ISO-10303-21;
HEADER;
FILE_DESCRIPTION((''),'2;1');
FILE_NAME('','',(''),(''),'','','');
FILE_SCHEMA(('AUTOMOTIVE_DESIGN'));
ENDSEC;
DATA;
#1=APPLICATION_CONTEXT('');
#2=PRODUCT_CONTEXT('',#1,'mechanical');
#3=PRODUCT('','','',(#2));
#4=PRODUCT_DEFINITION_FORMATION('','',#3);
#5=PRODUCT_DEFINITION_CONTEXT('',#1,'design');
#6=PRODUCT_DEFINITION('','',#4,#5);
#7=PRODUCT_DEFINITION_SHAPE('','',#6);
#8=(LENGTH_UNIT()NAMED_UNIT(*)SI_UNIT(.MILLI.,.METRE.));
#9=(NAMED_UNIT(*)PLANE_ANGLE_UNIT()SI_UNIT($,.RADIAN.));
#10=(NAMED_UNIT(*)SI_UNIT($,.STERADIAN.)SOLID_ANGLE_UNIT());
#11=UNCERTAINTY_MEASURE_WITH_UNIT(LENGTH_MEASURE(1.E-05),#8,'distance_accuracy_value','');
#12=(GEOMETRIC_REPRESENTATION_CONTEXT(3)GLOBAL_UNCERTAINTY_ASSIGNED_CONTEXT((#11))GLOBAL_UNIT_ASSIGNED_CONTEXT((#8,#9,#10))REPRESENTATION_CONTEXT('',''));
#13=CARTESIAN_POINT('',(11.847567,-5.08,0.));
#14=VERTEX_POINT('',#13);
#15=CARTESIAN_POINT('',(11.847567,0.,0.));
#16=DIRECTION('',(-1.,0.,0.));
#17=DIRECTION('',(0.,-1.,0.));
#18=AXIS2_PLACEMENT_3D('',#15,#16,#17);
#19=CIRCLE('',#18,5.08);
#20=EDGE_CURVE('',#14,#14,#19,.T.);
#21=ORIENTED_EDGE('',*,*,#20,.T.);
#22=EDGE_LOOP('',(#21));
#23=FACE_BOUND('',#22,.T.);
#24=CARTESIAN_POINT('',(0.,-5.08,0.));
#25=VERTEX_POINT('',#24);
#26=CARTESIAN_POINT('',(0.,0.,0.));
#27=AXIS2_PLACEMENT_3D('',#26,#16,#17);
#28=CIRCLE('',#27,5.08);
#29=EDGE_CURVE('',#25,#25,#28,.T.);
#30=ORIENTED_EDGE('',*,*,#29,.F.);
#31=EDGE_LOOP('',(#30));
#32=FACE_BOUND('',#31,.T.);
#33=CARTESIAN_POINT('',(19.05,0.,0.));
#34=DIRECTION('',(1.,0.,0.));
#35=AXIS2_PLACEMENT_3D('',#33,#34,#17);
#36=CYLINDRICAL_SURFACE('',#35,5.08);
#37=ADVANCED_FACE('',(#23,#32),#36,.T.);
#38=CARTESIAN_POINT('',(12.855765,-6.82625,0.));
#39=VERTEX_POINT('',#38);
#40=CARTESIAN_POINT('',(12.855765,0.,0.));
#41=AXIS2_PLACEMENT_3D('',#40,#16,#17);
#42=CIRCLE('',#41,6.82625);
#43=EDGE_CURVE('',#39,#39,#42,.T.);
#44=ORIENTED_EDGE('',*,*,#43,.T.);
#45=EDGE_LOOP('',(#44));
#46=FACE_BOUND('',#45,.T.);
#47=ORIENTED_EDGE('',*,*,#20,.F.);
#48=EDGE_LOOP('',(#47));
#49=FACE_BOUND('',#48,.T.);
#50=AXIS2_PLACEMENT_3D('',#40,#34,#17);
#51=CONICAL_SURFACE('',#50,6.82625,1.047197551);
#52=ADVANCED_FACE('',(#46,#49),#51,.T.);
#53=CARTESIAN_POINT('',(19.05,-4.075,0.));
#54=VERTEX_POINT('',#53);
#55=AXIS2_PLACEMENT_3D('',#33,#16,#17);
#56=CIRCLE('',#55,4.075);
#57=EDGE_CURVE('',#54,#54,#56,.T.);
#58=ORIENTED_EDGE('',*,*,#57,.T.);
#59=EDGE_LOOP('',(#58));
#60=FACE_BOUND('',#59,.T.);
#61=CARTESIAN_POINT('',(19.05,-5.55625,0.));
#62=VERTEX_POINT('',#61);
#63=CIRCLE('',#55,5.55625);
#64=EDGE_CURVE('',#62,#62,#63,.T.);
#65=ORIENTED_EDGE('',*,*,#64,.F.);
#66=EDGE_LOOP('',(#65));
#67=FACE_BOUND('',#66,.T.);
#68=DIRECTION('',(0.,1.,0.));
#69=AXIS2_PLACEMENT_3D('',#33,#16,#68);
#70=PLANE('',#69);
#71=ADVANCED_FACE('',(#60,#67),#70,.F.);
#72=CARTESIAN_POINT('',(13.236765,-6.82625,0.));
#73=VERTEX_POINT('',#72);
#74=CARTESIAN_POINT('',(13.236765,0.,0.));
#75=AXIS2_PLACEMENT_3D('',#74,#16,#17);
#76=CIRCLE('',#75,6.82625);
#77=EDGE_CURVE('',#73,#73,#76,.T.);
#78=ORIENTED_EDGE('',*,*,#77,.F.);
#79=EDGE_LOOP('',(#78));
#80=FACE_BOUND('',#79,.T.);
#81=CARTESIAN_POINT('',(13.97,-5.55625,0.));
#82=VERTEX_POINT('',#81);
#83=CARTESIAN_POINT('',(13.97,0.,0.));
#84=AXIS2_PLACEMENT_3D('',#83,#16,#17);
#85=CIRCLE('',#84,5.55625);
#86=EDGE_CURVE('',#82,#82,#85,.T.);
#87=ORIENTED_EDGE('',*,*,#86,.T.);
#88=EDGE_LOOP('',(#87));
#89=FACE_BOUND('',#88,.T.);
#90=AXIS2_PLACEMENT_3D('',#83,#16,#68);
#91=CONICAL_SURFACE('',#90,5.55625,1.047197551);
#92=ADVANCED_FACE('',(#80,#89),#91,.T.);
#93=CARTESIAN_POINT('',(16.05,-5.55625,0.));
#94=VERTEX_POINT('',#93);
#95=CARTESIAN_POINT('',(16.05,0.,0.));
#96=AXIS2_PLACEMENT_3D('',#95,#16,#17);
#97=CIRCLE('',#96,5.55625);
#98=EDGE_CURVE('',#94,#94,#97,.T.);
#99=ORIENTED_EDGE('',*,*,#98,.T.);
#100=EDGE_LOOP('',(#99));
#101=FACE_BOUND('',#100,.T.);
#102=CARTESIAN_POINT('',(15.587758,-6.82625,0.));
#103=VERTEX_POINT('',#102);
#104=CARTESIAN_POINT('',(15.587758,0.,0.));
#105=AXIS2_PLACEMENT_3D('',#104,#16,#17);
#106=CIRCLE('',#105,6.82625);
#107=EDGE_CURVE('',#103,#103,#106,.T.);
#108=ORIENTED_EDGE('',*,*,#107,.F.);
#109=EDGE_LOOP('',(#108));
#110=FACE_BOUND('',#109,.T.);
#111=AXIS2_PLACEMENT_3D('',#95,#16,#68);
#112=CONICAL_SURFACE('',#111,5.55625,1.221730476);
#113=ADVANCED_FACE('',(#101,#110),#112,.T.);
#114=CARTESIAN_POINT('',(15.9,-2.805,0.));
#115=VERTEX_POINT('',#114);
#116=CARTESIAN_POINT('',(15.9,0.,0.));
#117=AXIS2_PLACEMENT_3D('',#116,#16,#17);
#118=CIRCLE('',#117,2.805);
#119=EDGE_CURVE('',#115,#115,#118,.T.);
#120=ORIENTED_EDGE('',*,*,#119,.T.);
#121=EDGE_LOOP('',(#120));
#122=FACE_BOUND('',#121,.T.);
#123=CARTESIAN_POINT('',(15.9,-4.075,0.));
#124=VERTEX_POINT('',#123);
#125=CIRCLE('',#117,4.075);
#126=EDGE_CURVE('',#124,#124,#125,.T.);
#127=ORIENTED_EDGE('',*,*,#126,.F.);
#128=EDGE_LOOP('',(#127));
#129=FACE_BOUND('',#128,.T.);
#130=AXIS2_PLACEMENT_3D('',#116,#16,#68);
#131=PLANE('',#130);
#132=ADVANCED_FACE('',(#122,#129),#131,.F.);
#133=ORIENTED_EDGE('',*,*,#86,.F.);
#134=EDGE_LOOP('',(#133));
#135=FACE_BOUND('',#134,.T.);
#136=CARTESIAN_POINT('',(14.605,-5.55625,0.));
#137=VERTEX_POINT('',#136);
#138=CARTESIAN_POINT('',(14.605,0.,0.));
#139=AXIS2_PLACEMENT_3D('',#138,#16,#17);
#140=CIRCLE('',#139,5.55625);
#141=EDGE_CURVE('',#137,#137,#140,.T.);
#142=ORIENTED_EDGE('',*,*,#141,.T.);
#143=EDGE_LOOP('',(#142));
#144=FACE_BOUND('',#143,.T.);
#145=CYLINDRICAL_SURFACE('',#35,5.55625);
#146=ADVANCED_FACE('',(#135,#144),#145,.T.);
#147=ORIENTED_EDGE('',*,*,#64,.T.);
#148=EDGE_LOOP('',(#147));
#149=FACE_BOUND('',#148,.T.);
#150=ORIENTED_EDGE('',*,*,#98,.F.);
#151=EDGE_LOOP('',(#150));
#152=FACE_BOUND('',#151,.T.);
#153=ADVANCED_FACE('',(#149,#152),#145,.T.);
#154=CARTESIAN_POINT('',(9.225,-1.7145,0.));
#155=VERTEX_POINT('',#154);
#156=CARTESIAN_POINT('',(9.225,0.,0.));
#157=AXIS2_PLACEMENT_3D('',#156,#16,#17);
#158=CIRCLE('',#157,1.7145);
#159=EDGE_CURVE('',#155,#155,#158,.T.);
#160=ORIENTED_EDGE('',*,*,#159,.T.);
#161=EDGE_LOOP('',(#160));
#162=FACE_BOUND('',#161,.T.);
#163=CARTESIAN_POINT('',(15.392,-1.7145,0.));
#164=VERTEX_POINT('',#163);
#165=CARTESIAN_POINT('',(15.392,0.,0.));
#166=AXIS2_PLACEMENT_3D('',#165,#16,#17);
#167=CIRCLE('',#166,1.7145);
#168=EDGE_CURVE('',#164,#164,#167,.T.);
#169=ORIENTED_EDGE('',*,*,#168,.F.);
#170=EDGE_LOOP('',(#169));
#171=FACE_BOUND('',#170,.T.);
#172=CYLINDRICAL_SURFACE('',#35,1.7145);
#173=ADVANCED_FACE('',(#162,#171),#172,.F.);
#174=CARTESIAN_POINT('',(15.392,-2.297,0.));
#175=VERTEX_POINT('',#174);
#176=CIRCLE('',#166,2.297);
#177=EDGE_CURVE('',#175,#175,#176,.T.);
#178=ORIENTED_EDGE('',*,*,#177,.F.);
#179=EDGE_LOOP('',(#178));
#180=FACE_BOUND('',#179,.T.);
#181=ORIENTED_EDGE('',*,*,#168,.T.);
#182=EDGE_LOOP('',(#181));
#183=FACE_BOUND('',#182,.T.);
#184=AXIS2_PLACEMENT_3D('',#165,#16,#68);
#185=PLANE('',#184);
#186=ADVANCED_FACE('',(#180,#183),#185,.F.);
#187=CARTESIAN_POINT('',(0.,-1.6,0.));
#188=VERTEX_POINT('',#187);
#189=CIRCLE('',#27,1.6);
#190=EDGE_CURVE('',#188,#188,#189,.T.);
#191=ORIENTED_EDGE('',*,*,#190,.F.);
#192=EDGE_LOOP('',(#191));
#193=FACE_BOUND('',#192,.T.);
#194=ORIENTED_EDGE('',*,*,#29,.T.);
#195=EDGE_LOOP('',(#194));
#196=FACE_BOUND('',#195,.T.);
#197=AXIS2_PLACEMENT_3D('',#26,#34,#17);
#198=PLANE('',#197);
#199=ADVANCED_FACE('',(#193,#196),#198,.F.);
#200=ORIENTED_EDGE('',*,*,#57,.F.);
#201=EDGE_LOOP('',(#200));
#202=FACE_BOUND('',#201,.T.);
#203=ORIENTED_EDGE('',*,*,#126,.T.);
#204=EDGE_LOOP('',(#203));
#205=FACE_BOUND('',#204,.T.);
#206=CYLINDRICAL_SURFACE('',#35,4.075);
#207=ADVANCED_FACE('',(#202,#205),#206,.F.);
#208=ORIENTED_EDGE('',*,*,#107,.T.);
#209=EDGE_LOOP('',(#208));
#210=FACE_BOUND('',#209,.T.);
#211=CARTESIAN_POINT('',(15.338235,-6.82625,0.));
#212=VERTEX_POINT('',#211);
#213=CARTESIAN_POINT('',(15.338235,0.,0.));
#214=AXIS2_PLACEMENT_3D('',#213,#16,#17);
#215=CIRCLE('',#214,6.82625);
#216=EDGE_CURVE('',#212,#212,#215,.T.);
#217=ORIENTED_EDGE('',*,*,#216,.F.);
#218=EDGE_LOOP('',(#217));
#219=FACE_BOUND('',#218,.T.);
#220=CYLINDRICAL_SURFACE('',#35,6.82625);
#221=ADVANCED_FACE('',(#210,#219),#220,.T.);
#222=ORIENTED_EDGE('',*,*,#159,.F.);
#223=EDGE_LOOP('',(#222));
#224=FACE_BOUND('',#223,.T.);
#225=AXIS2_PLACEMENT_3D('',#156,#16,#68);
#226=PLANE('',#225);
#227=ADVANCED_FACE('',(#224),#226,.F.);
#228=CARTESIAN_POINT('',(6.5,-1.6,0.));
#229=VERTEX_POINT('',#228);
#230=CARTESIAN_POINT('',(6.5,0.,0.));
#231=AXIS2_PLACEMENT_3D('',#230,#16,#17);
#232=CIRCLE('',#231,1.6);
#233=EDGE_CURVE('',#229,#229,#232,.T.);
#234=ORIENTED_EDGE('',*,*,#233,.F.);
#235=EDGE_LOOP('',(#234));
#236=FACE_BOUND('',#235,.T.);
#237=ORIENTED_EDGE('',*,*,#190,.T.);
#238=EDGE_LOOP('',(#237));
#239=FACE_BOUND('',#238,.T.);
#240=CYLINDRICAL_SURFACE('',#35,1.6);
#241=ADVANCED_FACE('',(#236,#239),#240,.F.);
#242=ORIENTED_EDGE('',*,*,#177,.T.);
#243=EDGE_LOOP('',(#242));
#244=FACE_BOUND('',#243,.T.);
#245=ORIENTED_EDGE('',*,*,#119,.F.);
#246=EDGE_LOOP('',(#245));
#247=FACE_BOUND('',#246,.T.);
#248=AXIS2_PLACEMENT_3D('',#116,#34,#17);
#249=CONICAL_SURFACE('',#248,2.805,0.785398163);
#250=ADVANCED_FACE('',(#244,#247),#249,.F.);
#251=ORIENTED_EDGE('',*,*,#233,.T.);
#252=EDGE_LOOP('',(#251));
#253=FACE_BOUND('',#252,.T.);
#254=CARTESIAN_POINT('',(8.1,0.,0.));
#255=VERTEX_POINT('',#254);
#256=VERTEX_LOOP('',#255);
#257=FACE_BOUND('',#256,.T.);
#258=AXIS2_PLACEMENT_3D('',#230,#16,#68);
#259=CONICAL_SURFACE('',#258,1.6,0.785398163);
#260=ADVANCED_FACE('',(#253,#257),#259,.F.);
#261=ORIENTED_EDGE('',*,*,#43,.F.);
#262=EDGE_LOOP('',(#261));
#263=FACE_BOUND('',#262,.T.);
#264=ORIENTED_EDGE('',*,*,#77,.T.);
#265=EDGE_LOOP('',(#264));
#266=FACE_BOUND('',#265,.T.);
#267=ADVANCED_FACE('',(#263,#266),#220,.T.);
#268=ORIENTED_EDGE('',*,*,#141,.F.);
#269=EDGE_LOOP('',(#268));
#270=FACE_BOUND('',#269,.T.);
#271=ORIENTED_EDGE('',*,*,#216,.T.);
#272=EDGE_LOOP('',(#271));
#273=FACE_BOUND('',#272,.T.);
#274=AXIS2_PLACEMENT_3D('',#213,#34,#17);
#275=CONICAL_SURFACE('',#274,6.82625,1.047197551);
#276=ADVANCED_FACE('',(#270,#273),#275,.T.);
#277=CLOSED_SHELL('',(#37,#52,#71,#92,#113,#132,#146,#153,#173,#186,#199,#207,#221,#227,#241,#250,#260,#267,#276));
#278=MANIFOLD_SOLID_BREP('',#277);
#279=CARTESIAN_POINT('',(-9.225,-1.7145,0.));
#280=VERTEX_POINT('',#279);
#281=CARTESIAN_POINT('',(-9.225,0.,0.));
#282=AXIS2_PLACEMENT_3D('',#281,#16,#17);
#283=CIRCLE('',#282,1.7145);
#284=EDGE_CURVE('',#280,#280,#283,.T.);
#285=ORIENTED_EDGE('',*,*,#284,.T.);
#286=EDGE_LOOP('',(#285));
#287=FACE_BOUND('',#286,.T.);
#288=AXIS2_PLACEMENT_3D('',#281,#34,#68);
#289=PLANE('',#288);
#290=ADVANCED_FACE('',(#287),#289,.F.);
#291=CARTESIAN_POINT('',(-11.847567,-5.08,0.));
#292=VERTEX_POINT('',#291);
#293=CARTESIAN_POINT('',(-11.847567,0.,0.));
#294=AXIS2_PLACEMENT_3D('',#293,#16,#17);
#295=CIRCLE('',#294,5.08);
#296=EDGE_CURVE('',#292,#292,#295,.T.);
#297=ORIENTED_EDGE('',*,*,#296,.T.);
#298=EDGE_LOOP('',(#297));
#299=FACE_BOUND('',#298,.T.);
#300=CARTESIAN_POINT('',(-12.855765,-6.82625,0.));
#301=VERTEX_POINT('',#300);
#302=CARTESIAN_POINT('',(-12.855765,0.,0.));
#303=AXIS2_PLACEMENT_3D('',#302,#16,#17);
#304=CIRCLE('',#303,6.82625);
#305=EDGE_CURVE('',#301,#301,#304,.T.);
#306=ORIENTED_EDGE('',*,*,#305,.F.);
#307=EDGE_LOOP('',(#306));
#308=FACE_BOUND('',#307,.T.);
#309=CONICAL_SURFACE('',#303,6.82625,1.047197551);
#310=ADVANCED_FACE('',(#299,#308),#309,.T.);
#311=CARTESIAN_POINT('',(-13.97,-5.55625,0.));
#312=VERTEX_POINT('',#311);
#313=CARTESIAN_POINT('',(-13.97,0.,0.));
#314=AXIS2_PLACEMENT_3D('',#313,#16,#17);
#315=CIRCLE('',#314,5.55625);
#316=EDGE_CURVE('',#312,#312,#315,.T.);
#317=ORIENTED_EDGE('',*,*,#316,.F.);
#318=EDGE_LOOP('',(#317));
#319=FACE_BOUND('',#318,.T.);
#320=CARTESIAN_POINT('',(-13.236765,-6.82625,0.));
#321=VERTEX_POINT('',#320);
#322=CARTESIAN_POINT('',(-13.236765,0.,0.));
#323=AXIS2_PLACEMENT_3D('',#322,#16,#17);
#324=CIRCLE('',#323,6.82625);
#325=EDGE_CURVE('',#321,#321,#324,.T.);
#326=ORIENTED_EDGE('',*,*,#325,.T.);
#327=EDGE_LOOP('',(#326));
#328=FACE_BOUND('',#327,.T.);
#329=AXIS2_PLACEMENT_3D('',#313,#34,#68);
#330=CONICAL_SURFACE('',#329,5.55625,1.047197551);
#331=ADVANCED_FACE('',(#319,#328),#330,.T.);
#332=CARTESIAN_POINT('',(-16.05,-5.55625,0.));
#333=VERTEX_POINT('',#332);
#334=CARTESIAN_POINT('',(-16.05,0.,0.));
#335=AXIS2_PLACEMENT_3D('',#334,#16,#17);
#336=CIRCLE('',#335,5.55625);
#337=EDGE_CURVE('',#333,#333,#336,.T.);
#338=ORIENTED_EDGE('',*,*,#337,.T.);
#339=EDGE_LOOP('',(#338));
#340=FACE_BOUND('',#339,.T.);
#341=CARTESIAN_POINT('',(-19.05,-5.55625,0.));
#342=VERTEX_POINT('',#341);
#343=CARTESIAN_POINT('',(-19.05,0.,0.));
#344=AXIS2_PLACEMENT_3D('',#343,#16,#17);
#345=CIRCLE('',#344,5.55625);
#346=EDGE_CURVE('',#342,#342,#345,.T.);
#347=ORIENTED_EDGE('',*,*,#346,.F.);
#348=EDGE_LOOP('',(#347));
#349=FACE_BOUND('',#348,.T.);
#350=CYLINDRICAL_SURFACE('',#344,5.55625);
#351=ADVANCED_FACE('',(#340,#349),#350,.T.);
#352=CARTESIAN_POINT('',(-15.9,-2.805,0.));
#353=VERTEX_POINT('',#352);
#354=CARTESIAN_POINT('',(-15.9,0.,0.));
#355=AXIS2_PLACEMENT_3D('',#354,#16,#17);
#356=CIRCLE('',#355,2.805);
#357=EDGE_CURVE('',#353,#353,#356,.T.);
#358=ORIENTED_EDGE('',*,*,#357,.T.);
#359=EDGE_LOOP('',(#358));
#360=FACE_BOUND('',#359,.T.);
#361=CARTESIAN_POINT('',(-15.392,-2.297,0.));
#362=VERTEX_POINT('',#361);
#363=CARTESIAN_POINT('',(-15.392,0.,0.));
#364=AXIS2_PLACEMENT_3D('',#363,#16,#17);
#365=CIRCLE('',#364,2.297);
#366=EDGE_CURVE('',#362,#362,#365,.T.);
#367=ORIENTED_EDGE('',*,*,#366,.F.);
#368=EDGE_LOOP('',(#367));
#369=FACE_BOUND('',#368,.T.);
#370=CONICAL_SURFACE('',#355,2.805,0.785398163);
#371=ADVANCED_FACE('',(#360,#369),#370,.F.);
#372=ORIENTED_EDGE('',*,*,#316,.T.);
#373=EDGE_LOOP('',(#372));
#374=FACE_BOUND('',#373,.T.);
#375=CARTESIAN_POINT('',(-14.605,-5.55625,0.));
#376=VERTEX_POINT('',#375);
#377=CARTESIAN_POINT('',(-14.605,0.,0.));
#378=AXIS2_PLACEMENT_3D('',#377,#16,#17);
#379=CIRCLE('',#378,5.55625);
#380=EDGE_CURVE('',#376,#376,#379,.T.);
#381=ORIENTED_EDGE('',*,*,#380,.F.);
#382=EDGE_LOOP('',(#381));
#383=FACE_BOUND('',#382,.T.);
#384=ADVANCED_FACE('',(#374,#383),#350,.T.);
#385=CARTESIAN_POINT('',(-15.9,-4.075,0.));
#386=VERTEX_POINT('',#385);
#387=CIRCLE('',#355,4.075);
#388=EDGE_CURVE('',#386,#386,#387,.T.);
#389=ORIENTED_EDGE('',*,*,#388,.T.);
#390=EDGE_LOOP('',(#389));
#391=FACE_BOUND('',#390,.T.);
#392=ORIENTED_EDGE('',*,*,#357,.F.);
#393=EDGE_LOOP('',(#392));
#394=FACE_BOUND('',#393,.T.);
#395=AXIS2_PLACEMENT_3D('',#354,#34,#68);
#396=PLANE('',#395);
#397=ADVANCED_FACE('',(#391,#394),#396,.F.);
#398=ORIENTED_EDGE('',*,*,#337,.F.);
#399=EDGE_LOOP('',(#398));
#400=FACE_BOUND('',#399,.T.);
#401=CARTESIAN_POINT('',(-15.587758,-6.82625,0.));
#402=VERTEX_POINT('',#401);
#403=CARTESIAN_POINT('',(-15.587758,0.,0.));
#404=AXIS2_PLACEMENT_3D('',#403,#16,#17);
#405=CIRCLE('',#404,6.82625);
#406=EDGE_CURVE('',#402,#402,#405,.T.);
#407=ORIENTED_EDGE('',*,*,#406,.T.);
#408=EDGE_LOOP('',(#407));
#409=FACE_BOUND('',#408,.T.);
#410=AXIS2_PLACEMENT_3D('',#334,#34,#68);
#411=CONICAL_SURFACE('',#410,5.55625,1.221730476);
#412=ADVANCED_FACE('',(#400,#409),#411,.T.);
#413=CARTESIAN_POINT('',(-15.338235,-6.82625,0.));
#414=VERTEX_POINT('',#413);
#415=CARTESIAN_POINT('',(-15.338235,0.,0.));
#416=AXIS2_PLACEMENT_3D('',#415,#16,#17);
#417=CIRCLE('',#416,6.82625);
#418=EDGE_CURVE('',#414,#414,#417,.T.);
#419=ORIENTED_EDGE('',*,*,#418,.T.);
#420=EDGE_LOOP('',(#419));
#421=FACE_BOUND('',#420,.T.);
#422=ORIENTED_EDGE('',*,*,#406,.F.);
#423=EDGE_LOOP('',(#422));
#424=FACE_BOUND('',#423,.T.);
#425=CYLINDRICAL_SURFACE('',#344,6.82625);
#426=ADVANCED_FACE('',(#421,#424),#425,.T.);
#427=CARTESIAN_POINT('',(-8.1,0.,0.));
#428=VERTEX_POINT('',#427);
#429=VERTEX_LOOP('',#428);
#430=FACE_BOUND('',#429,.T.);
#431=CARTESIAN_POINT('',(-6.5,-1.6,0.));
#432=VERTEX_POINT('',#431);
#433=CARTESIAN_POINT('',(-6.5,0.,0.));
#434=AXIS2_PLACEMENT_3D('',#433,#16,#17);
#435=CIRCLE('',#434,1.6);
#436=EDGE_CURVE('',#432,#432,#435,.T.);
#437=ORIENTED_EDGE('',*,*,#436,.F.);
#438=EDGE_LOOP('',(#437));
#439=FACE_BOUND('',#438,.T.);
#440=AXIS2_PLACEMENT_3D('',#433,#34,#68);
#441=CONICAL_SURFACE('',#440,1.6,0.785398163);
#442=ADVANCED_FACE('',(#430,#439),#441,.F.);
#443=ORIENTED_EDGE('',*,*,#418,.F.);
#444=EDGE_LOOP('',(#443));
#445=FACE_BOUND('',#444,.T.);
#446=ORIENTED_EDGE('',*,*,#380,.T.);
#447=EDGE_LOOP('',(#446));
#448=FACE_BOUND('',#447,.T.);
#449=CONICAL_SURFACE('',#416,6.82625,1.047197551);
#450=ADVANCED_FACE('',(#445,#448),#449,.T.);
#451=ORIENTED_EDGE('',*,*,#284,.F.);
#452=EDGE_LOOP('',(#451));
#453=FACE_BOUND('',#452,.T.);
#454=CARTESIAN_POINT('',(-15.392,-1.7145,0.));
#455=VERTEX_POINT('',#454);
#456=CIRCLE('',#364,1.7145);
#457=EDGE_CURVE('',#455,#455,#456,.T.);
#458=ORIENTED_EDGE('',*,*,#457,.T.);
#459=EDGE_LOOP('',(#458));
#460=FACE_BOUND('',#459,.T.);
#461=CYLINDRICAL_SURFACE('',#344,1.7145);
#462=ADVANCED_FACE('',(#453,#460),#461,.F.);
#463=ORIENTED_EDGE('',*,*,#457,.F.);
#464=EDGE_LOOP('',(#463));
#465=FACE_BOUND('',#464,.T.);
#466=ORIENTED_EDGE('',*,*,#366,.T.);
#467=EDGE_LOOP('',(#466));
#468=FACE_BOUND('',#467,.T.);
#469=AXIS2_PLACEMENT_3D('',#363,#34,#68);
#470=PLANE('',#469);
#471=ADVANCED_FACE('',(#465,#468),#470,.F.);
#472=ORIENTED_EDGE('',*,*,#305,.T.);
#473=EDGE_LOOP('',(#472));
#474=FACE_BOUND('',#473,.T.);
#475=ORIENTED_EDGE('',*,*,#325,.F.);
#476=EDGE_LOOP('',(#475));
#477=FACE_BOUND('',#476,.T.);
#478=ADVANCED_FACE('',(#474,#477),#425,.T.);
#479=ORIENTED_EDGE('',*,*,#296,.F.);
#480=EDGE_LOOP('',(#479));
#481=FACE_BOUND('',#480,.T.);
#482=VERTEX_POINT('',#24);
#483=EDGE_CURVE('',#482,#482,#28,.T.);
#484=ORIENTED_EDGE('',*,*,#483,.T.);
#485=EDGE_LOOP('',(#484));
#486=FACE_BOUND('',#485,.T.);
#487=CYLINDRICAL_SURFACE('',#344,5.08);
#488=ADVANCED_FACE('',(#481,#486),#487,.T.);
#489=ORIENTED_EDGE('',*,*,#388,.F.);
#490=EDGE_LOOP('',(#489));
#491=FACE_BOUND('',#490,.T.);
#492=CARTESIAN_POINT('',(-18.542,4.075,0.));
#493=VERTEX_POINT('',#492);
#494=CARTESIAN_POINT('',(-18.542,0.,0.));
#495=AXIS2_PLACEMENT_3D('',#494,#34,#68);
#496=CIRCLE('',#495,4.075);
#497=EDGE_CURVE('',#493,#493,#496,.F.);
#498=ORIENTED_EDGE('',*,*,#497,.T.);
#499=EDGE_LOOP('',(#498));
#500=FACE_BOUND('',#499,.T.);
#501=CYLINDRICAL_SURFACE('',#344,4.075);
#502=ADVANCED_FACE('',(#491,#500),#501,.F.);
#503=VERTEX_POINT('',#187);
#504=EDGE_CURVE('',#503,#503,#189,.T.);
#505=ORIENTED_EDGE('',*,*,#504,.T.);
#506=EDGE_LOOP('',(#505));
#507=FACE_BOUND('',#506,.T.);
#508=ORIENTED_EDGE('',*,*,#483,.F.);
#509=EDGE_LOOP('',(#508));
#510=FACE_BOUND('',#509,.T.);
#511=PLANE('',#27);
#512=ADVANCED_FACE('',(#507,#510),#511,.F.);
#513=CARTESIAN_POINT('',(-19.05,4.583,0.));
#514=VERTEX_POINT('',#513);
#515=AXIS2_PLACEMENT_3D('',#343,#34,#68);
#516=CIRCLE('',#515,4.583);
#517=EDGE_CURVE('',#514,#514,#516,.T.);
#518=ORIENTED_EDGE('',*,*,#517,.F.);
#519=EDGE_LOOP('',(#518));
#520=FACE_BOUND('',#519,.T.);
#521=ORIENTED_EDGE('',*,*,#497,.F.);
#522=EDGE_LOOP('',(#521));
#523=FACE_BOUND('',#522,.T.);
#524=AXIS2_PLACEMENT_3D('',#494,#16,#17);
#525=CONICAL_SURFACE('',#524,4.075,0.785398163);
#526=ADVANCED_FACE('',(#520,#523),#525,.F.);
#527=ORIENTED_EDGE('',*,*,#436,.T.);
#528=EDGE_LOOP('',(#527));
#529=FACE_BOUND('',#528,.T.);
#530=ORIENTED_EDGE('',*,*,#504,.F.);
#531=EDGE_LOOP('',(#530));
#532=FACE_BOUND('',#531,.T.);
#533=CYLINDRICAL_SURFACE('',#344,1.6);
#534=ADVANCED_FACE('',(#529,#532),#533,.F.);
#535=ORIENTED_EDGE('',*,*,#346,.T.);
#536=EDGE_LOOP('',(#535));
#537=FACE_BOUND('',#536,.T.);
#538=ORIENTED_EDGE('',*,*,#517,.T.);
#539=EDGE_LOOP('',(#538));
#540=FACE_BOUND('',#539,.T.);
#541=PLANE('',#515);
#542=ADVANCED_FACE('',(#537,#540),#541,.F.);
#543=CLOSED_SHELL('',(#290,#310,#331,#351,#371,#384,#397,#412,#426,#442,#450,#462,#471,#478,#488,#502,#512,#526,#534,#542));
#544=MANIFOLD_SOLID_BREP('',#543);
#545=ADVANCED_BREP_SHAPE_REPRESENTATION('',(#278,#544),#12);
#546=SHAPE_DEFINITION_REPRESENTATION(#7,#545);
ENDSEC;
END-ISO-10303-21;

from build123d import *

# Parameters (mm, degrees)
CHAMFER1_SIZE = 0.508


with BuildPart() as part:
    # Sketch2 → Revolve1 (revolve)
    with BuildSketch(Plane.XY, mode=Mode.PRIVATE) as revolve1_sk:
        Polygon((-16.05, 5.55625), (-19.05, 5.55625), (-19.05, 4.075), (-15.9, 4.075), (-15.9, 2.805), (-15.392, 2.297), (-15.392, 1.7145), (-9.225, 1.7145), (-9.225, 0), (-8.1, 0), (-6.5, 1.6), (0, 1.6), (0, 5.08), (-11.847567251, 5.08), (-12.855765158, 6.82625), (-13.236765158, 6.82625), (-13.97, 5.55625), (-14.605, 5.55625), (-15.338234842, 6.82625), (-15.587757802, 6.82625), align=None)
    revolve(revolve1_sk.sketch.rotate(Axis((-19.05, 0, 0), (1, 0, 0)), 180), axis=Axis((-19.05, 0, 0), (1, 0, 0)))


with BuildPart() as body_2:
    # Mirror1: mirrored copy
    add(part.part.mirror(Plane(origin=(0, 0, 0), x_dir=(0, 0, 1), z_dir=(1, 0, 0))))


with BuildPart() as part_1:
    add(part.part)

    # Chamfer1
    chamfer1_edges = [part_1.edges().sort_by_distance(p)[0] for p in [
        (-19.05, 4.075, 0),
    ]]
    chamfer(chamfer1_edges, length=CHAMFER1_SIZE)


solid = Compound([body_2.part, part_1.part])
